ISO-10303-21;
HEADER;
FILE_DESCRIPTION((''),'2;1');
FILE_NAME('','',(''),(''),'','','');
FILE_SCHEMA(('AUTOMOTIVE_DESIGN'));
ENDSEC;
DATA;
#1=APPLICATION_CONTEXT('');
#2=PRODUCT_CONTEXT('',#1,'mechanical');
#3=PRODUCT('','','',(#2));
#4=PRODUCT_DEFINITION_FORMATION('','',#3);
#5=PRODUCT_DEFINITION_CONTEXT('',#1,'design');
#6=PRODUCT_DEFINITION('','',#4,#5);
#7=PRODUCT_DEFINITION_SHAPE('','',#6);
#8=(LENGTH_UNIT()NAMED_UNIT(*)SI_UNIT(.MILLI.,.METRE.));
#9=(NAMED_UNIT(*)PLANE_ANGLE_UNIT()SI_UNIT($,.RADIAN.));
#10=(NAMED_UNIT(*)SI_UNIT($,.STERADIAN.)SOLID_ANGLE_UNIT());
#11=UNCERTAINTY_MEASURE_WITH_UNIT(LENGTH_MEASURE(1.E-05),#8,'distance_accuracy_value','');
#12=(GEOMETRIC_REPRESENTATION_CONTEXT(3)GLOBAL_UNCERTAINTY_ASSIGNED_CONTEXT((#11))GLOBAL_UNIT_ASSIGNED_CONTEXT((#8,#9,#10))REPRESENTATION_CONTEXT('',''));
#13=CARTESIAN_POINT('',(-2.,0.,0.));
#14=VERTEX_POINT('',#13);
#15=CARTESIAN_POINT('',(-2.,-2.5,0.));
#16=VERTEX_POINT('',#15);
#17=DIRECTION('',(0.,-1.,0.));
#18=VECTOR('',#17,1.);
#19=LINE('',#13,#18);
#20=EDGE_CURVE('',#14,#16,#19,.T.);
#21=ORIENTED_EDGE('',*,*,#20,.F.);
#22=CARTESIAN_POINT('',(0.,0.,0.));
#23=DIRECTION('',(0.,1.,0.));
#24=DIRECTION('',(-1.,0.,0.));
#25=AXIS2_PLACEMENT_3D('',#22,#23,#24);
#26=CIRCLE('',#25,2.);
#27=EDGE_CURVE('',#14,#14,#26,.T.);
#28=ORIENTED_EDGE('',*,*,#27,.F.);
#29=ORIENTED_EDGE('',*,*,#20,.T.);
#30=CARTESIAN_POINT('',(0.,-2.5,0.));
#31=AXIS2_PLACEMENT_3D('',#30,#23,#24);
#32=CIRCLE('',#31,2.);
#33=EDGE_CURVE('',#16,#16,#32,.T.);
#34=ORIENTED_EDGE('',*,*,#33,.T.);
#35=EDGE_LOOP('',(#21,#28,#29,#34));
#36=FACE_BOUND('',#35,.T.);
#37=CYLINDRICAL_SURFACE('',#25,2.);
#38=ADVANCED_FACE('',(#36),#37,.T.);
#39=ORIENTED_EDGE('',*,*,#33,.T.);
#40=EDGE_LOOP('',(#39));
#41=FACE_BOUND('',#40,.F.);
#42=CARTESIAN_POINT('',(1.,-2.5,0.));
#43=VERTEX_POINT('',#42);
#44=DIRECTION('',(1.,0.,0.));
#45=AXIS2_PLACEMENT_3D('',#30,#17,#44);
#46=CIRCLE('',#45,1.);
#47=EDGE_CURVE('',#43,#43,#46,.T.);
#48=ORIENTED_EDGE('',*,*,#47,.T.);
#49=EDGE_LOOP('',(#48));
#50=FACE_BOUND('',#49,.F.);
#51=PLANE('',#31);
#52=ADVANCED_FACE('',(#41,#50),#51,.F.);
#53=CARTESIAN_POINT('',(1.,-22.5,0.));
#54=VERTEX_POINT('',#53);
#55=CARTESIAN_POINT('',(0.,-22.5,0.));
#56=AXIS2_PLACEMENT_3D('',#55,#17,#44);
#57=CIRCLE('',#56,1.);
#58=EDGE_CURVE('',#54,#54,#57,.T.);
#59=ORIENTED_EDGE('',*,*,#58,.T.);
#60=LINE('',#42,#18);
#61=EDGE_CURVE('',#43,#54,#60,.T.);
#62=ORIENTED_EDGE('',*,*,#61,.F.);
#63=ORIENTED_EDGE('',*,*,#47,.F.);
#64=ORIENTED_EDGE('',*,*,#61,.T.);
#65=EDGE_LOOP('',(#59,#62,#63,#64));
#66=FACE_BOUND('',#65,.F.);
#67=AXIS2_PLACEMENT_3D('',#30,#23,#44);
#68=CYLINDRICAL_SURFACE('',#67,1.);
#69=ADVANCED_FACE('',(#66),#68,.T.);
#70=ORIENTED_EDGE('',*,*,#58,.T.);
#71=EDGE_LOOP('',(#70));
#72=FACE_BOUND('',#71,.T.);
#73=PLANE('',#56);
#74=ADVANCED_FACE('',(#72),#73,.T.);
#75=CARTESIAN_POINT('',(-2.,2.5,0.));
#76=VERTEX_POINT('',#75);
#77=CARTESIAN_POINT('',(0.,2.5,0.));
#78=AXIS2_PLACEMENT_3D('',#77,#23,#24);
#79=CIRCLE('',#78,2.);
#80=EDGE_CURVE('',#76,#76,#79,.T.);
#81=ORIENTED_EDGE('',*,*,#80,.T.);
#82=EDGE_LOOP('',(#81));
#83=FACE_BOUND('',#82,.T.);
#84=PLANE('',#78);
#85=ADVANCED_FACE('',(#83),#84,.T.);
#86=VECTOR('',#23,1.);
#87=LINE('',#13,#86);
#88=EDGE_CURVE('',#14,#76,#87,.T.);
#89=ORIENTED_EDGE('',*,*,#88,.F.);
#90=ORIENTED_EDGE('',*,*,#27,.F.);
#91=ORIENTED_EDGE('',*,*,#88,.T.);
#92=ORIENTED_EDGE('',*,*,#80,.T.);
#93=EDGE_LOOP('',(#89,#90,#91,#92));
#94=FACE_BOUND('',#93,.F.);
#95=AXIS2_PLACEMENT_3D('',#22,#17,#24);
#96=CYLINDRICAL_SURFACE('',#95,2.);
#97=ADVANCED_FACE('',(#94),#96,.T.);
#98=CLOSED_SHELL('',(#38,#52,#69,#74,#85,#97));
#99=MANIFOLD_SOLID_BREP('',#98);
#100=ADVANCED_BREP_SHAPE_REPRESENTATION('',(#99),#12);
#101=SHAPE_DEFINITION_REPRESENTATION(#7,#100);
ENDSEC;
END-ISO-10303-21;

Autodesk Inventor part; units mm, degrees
ref_plane "YZ Plane" through (0, 0, 0) normal (1, 0, 0) x (0, 1, 0)
ref_plane "XZ Plane" through (0, 0, 0) normal (0, 1, 0) x (-1, 0, 0)
ref_plane "XY Plane" through (0, 0, 0) normal (0, 0, 1) x (1, 0, 0)
sketch "Szkic1" plane through (0, 0, 0) normal (0, 1, 0) x (-1, 0, 0)
  circle A0 centre (0, 0) radius 2
  dimension "d0" = 4
extrude "Wyciągnięcie proste1" add sketch "Szkic1" along normal mid plane 5
sketch "Szkic2" plane through (0, -2.5, 0) normal (0, -1, 0) x (1, 0, 0)
  circle A0 centre (0, 0) radius 1
  dimension "d3" = 2
extrude "Wyciągnięcie proste2" add sketch "Szkic2" along normal blind 20
thread "Gwint1" size "M2x0.4" class "6g" standard "ANSI Metric M Profile" length 25
properties part number "sruba_m2"
